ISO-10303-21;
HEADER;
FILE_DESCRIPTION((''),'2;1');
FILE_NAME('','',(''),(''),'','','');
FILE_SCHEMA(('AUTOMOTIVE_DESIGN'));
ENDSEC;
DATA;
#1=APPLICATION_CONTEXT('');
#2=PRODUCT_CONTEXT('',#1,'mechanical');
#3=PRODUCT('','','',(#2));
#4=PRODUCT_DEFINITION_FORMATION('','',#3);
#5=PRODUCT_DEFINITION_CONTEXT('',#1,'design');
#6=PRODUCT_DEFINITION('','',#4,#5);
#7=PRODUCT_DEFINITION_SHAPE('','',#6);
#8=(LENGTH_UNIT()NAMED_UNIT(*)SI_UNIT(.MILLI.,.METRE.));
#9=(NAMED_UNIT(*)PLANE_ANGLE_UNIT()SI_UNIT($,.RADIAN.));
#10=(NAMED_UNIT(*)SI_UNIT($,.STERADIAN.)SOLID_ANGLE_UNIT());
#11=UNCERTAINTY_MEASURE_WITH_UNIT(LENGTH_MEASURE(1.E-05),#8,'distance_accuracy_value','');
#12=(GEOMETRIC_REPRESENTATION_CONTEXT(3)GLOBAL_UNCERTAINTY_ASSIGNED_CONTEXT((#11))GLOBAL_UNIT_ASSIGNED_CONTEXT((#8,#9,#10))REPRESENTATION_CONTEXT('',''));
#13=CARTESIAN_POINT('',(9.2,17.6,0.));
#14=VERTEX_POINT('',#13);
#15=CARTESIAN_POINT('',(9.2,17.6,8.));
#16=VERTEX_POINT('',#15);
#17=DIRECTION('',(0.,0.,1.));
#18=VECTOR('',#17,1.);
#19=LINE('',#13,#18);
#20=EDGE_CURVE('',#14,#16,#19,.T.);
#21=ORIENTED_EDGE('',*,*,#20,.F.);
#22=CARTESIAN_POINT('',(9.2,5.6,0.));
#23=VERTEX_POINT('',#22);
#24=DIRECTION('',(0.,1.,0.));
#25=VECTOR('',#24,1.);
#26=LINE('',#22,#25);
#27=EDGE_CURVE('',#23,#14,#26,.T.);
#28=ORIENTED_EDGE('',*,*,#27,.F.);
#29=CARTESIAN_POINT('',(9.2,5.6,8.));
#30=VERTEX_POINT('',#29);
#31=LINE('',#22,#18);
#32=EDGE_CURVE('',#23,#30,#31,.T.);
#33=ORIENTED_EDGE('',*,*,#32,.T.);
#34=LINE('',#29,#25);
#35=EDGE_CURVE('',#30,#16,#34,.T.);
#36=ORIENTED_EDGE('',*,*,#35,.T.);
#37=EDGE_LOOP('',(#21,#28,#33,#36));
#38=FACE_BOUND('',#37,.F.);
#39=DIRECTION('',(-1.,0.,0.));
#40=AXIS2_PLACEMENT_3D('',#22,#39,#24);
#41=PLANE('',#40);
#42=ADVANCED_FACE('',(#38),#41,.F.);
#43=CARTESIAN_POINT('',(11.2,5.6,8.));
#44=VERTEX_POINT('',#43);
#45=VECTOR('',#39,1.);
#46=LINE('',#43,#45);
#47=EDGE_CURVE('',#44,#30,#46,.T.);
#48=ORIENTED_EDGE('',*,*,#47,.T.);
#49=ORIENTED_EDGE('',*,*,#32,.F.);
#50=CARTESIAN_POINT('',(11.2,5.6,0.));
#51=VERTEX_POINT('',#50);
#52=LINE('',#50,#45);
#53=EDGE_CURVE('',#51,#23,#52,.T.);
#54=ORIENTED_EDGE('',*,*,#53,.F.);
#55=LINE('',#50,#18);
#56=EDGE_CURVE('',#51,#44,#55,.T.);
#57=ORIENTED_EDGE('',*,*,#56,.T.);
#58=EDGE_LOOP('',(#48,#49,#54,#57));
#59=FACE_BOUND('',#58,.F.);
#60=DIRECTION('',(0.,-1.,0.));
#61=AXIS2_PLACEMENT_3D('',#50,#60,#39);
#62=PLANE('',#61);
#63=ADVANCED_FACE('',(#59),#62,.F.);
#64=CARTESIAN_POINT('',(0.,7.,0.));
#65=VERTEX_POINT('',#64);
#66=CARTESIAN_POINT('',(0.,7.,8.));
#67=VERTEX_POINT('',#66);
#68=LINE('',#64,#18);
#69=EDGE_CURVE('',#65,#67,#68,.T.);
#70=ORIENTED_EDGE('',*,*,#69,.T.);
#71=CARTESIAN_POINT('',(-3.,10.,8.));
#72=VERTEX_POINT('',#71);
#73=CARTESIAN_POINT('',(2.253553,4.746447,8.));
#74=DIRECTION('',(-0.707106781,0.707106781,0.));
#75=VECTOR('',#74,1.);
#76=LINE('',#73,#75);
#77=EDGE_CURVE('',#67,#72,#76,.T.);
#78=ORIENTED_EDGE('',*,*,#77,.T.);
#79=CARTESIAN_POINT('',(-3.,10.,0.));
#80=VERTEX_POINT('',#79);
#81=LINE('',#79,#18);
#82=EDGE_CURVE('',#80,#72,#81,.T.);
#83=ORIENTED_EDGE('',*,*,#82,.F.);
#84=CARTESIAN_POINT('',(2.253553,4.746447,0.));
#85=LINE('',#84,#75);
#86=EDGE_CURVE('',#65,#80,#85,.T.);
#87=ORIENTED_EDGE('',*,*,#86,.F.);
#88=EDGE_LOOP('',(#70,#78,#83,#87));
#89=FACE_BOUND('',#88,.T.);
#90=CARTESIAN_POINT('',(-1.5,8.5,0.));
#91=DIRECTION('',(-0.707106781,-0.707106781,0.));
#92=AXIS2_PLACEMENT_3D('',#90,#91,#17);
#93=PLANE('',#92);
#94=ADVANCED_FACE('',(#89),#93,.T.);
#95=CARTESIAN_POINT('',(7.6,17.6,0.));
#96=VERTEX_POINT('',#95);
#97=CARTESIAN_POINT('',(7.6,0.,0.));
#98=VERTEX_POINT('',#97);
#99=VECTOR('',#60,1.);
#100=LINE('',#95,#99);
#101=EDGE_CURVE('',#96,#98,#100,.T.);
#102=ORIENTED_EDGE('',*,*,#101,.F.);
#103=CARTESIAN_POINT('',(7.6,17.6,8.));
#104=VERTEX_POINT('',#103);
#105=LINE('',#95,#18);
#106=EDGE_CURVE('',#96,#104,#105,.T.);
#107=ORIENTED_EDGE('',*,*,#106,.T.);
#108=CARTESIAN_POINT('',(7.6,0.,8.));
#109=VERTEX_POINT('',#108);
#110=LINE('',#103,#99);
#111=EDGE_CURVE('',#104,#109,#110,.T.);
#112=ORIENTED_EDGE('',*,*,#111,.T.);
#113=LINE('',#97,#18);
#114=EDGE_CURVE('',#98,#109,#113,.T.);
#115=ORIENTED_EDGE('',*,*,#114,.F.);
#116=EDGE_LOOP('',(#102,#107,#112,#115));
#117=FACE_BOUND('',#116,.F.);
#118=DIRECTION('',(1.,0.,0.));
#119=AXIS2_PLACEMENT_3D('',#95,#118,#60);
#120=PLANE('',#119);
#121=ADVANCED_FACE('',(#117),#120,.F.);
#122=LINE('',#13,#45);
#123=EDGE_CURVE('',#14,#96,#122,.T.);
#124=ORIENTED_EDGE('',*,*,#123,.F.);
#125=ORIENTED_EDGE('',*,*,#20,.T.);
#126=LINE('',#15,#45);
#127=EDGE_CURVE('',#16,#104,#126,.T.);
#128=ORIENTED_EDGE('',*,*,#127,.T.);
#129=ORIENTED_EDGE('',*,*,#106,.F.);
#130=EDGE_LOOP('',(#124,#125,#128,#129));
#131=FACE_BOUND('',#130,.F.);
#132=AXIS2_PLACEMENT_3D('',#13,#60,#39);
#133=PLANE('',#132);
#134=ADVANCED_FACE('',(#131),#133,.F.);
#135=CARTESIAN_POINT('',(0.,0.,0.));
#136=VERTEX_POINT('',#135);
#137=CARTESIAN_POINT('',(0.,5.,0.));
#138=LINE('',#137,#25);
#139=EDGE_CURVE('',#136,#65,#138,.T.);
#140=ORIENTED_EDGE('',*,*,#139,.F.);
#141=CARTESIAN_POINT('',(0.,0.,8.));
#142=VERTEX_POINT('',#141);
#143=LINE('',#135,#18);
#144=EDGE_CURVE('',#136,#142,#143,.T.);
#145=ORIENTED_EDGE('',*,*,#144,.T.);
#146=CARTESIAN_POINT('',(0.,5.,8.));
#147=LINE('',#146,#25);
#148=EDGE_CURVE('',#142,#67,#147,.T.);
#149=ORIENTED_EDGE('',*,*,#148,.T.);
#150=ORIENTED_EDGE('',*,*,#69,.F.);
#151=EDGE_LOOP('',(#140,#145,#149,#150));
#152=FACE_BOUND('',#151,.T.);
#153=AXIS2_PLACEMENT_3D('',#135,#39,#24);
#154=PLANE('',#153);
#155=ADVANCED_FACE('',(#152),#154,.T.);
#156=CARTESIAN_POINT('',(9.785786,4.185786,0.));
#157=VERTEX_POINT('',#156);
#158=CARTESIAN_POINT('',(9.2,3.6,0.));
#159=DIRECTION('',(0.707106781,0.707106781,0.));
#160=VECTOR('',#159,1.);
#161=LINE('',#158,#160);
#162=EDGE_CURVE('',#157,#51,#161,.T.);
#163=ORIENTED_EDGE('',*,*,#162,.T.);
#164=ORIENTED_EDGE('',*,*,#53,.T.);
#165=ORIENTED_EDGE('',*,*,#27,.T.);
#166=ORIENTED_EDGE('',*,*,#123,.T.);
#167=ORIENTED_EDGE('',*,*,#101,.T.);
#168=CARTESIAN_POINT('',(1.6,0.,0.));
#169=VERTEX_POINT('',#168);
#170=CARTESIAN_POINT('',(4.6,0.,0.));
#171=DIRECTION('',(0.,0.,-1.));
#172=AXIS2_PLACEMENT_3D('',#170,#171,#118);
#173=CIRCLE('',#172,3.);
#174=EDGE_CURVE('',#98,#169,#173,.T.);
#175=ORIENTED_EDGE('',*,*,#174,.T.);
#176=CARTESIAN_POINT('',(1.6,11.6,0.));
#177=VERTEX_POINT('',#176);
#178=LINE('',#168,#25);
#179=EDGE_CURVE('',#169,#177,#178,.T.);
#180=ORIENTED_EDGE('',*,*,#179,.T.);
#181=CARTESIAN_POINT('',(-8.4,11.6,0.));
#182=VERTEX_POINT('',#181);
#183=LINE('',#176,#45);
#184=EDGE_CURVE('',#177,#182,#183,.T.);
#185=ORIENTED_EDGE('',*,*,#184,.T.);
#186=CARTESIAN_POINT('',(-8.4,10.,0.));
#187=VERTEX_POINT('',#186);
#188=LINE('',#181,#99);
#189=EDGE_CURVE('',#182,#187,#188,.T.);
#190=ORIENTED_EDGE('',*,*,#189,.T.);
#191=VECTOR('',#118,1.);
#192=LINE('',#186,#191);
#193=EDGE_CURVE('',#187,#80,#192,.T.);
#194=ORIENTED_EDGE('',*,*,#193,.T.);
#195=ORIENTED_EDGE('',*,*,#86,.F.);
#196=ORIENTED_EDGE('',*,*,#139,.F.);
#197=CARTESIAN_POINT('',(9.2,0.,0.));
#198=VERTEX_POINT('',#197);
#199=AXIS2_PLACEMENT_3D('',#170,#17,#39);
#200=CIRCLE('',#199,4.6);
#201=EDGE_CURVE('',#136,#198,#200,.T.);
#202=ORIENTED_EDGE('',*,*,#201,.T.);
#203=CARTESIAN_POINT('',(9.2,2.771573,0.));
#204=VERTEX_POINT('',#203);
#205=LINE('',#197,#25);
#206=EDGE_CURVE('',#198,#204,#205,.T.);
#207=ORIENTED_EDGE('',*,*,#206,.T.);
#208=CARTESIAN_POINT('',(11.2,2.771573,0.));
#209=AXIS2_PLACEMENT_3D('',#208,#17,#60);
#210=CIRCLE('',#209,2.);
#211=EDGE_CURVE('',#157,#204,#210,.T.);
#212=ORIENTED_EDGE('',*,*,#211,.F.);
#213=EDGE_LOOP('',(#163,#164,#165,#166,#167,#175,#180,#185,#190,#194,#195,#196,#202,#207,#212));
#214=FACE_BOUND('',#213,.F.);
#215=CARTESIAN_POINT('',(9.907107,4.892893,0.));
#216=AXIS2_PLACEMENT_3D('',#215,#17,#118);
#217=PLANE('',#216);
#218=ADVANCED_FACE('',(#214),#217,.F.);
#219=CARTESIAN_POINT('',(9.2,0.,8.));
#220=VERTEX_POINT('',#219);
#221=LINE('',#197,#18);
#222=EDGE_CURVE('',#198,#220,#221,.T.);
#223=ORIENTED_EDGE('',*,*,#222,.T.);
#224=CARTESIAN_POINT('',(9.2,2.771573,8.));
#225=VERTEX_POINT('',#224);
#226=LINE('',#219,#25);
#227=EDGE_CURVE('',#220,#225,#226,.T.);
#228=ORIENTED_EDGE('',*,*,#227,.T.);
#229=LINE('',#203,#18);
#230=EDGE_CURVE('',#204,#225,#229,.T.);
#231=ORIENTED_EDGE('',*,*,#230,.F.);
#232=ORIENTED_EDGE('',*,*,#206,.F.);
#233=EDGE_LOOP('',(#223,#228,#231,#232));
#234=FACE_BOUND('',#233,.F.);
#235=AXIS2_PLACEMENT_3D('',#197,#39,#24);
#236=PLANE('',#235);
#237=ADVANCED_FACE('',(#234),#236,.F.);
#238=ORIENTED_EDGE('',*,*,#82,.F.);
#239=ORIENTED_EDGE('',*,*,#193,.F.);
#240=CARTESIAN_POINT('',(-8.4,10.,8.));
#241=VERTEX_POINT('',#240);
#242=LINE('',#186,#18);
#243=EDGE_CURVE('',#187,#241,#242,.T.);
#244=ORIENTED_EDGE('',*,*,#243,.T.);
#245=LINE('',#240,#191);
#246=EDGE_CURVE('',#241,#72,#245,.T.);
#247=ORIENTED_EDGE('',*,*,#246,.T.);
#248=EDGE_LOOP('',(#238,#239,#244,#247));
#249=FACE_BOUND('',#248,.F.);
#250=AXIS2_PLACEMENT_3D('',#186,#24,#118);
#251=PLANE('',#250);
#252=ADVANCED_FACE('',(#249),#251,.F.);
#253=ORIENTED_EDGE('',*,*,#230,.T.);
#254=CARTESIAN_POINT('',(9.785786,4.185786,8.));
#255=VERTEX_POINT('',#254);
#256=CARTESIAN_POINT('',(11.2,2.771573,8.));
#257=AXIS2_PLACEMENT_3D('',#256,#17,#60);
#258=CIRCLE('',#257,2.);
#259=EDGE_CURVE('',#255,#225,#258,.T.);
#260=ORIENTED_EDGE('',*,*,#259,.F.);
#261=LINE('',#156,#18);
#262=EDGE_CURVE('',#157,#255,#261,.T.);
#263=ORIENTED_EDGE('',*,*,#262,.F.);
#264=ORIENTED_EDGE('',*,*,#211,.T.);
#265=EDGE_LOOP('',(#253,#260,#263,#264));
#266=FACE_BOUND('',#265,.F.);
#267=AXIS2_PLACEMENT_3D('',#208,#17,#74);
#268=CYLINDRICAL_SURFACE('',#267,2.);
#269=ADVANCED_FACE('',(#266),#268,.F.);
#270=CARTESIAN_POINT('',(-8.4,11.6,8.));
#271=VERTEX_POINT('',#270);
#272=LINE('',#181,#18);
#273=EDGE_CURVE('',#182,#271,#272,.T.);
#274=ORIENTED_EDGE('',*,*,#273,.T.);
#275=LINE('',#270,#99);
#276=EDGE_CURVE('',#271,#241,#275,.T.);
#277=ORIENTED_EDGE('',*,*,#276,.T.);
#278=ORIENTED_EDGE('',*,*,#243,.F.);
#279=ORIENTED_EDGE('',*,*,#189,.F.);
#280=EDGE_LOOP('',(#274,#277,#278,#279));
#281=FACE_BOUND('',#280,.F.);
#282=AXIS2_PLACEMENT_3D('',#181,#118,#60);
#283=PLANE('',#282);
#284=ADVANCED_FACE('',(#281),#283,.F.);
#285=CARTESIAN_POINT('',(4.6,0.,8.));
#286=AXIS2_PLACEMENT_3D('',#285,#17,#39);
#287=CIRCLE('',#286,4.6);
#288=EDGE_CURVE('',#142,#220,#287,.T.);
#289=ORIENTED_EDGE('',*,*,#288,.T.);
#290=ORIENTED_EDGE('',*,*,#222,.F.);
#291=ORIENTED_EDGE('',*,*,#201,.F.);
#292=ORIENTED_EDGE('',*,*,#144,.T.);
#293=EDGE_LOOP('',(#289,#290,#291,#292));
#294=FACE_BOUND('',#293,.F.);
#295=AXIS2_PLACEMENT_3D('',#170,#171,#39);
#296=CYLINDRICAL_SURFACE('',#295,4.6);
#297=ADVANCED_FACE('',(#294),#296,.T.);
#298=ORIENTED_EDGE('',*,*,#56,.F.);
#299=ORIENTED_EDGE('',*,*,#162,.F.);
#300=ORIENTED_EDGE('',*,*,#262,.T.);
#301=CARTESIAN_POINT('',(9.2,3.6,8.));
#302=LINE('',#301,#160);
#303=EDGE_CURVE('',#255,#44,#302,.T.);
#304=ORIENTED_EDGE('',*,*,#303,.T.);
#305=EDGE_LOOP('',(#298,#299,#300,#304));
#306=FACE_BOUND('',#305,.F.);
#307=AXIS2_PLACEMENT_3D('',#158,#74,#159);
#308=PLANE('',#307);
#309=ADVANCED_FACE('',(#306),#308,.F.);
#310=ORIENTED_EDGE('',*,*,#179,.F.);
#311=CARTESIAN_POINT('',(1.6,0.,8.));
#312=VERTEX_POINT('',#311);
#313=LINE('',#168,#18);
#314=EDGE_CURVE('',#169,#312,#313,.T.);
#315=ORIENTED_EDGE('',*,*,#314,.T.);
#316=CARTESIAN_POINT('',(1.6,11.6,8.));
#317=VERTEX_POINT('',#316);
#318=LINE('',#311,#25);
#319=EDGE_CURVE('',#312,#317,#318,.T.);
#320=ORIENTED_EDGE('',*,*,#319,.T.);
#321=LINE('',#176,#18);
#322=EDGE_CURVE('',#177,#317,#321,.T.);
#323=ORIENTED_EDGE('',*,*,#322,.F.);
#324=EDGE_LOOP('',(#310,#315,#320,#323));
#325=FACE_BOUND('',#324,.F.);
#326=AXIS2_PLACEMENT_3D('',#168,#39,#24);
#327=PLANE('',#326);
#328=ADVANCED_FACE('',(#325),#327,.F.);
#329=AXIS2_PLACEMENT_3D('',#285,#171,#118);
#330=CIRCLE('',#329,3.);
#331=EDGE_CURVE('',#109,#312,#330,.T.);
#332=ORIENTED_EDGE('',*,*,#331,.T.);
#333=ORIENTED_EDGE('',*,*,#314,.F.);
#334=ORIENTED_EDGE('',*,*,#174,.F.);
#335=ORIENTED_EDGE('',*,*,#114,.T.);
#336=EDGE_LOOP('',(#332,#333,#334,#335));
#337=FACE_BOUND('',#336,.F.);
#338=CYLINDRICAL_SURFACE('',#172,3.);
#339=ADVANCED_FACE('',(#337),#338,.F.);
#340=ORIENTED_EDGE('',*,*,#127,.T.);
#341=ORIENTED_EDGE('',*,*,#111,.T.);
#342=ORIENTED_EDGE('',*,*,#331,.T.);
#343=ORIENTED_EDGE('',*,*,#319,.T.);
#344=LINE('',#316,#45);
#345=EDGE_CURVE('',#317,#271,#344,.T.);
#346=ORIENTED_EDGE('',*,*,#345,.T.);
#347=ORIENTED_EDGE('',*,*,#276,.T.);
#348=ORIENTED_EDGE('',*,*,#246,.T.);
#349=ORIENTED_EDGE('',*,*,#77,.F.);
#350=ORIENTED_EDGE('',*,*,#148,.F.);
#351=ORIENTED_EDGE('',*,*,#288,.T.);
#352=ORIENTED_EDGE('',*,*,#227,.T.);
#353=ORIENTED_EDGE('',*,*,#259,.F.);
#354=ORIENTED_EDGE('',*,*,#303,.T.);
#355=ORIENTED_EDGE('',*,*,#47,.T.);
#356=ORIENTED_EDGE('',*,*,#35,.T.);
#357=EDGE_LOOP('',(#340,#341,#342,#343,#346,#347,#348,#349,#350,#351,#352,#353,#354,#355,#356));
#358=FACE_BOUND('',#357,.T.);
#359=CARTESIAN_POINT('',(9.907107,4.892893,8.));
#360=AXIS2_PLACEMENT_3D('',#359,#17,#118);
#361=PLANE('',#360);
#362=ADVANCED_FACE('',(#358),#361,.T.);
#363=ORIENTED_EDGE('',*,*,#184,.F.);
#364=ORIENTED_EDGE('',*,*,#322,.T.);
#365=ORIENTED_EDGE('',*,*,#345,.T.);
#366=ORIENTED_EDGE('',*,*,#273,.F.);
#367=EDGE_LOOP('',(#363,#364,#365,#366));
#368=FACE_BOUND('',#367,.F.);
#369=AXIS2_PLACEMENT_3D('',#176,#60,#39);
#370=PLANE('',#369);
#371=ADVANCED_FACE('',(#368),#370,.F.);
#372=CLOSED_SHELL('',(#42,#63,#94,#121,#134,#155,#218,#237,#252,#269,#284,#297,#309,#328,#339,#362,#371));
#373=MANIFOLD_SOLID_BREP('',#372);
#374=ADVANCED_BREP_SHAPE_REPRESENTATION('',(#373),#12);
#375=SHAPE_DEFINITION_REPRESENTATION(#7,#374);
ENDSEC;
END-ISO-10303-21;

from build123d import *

# Parameters (mm, degrees)
F0_W     = 1.6
F0_H     = 10
F1_DEPTH = 8
F2_R     = 2
F3_SIZE  = 3


with BuildPart() as f1:
    # F0 (on Top) → F1 (new body)
    with BuildSketch(Plane.XY):
        Polygon((9.2, 5.6), (9.2, 3.6), (11.2, 5.6), align=None)
        Polygon((7.6, 0), (9.2, 0), (9.2, 3.6), (9.2, 5.6), (9.2, 17.6), (7.6, 17.6), align=None)
        with BuildLine():
            Line((1.6, 0), (0, 0))
            ThreePointArc((0, 0), (4.6, -4.6), (9.2, 0))
            Line((9.2, 0), (7.6, 0))
            ThreePointArc((7.6, 0), (4.6, -3), (1.6, 0))
        make_face()
        with Locations((0.8, 5)):
            Rectangle(F0_W, F0_H)
        Polygon((-8.4, 10), (0, 10), (1.6, 10), (1.6, 11.6), (-8.4, 11.6), align=None)
    extrude(amount=F1_DEPTH)

    # F2
    f2_edges = [f1.edges().sort_by_distance(p)[0] for p in [
        (9.2, 3.6, 4),
    ]]
    fillet(f2_edges, radius=F2_R)

    # F3
    f3_edges = [f1.edges().sort_by_distance(p)[0] for p in [
        (0, 10, 4),
    ]]
    chamfer(f3_edges, length=F3_SIZE)


solid = f1.part
